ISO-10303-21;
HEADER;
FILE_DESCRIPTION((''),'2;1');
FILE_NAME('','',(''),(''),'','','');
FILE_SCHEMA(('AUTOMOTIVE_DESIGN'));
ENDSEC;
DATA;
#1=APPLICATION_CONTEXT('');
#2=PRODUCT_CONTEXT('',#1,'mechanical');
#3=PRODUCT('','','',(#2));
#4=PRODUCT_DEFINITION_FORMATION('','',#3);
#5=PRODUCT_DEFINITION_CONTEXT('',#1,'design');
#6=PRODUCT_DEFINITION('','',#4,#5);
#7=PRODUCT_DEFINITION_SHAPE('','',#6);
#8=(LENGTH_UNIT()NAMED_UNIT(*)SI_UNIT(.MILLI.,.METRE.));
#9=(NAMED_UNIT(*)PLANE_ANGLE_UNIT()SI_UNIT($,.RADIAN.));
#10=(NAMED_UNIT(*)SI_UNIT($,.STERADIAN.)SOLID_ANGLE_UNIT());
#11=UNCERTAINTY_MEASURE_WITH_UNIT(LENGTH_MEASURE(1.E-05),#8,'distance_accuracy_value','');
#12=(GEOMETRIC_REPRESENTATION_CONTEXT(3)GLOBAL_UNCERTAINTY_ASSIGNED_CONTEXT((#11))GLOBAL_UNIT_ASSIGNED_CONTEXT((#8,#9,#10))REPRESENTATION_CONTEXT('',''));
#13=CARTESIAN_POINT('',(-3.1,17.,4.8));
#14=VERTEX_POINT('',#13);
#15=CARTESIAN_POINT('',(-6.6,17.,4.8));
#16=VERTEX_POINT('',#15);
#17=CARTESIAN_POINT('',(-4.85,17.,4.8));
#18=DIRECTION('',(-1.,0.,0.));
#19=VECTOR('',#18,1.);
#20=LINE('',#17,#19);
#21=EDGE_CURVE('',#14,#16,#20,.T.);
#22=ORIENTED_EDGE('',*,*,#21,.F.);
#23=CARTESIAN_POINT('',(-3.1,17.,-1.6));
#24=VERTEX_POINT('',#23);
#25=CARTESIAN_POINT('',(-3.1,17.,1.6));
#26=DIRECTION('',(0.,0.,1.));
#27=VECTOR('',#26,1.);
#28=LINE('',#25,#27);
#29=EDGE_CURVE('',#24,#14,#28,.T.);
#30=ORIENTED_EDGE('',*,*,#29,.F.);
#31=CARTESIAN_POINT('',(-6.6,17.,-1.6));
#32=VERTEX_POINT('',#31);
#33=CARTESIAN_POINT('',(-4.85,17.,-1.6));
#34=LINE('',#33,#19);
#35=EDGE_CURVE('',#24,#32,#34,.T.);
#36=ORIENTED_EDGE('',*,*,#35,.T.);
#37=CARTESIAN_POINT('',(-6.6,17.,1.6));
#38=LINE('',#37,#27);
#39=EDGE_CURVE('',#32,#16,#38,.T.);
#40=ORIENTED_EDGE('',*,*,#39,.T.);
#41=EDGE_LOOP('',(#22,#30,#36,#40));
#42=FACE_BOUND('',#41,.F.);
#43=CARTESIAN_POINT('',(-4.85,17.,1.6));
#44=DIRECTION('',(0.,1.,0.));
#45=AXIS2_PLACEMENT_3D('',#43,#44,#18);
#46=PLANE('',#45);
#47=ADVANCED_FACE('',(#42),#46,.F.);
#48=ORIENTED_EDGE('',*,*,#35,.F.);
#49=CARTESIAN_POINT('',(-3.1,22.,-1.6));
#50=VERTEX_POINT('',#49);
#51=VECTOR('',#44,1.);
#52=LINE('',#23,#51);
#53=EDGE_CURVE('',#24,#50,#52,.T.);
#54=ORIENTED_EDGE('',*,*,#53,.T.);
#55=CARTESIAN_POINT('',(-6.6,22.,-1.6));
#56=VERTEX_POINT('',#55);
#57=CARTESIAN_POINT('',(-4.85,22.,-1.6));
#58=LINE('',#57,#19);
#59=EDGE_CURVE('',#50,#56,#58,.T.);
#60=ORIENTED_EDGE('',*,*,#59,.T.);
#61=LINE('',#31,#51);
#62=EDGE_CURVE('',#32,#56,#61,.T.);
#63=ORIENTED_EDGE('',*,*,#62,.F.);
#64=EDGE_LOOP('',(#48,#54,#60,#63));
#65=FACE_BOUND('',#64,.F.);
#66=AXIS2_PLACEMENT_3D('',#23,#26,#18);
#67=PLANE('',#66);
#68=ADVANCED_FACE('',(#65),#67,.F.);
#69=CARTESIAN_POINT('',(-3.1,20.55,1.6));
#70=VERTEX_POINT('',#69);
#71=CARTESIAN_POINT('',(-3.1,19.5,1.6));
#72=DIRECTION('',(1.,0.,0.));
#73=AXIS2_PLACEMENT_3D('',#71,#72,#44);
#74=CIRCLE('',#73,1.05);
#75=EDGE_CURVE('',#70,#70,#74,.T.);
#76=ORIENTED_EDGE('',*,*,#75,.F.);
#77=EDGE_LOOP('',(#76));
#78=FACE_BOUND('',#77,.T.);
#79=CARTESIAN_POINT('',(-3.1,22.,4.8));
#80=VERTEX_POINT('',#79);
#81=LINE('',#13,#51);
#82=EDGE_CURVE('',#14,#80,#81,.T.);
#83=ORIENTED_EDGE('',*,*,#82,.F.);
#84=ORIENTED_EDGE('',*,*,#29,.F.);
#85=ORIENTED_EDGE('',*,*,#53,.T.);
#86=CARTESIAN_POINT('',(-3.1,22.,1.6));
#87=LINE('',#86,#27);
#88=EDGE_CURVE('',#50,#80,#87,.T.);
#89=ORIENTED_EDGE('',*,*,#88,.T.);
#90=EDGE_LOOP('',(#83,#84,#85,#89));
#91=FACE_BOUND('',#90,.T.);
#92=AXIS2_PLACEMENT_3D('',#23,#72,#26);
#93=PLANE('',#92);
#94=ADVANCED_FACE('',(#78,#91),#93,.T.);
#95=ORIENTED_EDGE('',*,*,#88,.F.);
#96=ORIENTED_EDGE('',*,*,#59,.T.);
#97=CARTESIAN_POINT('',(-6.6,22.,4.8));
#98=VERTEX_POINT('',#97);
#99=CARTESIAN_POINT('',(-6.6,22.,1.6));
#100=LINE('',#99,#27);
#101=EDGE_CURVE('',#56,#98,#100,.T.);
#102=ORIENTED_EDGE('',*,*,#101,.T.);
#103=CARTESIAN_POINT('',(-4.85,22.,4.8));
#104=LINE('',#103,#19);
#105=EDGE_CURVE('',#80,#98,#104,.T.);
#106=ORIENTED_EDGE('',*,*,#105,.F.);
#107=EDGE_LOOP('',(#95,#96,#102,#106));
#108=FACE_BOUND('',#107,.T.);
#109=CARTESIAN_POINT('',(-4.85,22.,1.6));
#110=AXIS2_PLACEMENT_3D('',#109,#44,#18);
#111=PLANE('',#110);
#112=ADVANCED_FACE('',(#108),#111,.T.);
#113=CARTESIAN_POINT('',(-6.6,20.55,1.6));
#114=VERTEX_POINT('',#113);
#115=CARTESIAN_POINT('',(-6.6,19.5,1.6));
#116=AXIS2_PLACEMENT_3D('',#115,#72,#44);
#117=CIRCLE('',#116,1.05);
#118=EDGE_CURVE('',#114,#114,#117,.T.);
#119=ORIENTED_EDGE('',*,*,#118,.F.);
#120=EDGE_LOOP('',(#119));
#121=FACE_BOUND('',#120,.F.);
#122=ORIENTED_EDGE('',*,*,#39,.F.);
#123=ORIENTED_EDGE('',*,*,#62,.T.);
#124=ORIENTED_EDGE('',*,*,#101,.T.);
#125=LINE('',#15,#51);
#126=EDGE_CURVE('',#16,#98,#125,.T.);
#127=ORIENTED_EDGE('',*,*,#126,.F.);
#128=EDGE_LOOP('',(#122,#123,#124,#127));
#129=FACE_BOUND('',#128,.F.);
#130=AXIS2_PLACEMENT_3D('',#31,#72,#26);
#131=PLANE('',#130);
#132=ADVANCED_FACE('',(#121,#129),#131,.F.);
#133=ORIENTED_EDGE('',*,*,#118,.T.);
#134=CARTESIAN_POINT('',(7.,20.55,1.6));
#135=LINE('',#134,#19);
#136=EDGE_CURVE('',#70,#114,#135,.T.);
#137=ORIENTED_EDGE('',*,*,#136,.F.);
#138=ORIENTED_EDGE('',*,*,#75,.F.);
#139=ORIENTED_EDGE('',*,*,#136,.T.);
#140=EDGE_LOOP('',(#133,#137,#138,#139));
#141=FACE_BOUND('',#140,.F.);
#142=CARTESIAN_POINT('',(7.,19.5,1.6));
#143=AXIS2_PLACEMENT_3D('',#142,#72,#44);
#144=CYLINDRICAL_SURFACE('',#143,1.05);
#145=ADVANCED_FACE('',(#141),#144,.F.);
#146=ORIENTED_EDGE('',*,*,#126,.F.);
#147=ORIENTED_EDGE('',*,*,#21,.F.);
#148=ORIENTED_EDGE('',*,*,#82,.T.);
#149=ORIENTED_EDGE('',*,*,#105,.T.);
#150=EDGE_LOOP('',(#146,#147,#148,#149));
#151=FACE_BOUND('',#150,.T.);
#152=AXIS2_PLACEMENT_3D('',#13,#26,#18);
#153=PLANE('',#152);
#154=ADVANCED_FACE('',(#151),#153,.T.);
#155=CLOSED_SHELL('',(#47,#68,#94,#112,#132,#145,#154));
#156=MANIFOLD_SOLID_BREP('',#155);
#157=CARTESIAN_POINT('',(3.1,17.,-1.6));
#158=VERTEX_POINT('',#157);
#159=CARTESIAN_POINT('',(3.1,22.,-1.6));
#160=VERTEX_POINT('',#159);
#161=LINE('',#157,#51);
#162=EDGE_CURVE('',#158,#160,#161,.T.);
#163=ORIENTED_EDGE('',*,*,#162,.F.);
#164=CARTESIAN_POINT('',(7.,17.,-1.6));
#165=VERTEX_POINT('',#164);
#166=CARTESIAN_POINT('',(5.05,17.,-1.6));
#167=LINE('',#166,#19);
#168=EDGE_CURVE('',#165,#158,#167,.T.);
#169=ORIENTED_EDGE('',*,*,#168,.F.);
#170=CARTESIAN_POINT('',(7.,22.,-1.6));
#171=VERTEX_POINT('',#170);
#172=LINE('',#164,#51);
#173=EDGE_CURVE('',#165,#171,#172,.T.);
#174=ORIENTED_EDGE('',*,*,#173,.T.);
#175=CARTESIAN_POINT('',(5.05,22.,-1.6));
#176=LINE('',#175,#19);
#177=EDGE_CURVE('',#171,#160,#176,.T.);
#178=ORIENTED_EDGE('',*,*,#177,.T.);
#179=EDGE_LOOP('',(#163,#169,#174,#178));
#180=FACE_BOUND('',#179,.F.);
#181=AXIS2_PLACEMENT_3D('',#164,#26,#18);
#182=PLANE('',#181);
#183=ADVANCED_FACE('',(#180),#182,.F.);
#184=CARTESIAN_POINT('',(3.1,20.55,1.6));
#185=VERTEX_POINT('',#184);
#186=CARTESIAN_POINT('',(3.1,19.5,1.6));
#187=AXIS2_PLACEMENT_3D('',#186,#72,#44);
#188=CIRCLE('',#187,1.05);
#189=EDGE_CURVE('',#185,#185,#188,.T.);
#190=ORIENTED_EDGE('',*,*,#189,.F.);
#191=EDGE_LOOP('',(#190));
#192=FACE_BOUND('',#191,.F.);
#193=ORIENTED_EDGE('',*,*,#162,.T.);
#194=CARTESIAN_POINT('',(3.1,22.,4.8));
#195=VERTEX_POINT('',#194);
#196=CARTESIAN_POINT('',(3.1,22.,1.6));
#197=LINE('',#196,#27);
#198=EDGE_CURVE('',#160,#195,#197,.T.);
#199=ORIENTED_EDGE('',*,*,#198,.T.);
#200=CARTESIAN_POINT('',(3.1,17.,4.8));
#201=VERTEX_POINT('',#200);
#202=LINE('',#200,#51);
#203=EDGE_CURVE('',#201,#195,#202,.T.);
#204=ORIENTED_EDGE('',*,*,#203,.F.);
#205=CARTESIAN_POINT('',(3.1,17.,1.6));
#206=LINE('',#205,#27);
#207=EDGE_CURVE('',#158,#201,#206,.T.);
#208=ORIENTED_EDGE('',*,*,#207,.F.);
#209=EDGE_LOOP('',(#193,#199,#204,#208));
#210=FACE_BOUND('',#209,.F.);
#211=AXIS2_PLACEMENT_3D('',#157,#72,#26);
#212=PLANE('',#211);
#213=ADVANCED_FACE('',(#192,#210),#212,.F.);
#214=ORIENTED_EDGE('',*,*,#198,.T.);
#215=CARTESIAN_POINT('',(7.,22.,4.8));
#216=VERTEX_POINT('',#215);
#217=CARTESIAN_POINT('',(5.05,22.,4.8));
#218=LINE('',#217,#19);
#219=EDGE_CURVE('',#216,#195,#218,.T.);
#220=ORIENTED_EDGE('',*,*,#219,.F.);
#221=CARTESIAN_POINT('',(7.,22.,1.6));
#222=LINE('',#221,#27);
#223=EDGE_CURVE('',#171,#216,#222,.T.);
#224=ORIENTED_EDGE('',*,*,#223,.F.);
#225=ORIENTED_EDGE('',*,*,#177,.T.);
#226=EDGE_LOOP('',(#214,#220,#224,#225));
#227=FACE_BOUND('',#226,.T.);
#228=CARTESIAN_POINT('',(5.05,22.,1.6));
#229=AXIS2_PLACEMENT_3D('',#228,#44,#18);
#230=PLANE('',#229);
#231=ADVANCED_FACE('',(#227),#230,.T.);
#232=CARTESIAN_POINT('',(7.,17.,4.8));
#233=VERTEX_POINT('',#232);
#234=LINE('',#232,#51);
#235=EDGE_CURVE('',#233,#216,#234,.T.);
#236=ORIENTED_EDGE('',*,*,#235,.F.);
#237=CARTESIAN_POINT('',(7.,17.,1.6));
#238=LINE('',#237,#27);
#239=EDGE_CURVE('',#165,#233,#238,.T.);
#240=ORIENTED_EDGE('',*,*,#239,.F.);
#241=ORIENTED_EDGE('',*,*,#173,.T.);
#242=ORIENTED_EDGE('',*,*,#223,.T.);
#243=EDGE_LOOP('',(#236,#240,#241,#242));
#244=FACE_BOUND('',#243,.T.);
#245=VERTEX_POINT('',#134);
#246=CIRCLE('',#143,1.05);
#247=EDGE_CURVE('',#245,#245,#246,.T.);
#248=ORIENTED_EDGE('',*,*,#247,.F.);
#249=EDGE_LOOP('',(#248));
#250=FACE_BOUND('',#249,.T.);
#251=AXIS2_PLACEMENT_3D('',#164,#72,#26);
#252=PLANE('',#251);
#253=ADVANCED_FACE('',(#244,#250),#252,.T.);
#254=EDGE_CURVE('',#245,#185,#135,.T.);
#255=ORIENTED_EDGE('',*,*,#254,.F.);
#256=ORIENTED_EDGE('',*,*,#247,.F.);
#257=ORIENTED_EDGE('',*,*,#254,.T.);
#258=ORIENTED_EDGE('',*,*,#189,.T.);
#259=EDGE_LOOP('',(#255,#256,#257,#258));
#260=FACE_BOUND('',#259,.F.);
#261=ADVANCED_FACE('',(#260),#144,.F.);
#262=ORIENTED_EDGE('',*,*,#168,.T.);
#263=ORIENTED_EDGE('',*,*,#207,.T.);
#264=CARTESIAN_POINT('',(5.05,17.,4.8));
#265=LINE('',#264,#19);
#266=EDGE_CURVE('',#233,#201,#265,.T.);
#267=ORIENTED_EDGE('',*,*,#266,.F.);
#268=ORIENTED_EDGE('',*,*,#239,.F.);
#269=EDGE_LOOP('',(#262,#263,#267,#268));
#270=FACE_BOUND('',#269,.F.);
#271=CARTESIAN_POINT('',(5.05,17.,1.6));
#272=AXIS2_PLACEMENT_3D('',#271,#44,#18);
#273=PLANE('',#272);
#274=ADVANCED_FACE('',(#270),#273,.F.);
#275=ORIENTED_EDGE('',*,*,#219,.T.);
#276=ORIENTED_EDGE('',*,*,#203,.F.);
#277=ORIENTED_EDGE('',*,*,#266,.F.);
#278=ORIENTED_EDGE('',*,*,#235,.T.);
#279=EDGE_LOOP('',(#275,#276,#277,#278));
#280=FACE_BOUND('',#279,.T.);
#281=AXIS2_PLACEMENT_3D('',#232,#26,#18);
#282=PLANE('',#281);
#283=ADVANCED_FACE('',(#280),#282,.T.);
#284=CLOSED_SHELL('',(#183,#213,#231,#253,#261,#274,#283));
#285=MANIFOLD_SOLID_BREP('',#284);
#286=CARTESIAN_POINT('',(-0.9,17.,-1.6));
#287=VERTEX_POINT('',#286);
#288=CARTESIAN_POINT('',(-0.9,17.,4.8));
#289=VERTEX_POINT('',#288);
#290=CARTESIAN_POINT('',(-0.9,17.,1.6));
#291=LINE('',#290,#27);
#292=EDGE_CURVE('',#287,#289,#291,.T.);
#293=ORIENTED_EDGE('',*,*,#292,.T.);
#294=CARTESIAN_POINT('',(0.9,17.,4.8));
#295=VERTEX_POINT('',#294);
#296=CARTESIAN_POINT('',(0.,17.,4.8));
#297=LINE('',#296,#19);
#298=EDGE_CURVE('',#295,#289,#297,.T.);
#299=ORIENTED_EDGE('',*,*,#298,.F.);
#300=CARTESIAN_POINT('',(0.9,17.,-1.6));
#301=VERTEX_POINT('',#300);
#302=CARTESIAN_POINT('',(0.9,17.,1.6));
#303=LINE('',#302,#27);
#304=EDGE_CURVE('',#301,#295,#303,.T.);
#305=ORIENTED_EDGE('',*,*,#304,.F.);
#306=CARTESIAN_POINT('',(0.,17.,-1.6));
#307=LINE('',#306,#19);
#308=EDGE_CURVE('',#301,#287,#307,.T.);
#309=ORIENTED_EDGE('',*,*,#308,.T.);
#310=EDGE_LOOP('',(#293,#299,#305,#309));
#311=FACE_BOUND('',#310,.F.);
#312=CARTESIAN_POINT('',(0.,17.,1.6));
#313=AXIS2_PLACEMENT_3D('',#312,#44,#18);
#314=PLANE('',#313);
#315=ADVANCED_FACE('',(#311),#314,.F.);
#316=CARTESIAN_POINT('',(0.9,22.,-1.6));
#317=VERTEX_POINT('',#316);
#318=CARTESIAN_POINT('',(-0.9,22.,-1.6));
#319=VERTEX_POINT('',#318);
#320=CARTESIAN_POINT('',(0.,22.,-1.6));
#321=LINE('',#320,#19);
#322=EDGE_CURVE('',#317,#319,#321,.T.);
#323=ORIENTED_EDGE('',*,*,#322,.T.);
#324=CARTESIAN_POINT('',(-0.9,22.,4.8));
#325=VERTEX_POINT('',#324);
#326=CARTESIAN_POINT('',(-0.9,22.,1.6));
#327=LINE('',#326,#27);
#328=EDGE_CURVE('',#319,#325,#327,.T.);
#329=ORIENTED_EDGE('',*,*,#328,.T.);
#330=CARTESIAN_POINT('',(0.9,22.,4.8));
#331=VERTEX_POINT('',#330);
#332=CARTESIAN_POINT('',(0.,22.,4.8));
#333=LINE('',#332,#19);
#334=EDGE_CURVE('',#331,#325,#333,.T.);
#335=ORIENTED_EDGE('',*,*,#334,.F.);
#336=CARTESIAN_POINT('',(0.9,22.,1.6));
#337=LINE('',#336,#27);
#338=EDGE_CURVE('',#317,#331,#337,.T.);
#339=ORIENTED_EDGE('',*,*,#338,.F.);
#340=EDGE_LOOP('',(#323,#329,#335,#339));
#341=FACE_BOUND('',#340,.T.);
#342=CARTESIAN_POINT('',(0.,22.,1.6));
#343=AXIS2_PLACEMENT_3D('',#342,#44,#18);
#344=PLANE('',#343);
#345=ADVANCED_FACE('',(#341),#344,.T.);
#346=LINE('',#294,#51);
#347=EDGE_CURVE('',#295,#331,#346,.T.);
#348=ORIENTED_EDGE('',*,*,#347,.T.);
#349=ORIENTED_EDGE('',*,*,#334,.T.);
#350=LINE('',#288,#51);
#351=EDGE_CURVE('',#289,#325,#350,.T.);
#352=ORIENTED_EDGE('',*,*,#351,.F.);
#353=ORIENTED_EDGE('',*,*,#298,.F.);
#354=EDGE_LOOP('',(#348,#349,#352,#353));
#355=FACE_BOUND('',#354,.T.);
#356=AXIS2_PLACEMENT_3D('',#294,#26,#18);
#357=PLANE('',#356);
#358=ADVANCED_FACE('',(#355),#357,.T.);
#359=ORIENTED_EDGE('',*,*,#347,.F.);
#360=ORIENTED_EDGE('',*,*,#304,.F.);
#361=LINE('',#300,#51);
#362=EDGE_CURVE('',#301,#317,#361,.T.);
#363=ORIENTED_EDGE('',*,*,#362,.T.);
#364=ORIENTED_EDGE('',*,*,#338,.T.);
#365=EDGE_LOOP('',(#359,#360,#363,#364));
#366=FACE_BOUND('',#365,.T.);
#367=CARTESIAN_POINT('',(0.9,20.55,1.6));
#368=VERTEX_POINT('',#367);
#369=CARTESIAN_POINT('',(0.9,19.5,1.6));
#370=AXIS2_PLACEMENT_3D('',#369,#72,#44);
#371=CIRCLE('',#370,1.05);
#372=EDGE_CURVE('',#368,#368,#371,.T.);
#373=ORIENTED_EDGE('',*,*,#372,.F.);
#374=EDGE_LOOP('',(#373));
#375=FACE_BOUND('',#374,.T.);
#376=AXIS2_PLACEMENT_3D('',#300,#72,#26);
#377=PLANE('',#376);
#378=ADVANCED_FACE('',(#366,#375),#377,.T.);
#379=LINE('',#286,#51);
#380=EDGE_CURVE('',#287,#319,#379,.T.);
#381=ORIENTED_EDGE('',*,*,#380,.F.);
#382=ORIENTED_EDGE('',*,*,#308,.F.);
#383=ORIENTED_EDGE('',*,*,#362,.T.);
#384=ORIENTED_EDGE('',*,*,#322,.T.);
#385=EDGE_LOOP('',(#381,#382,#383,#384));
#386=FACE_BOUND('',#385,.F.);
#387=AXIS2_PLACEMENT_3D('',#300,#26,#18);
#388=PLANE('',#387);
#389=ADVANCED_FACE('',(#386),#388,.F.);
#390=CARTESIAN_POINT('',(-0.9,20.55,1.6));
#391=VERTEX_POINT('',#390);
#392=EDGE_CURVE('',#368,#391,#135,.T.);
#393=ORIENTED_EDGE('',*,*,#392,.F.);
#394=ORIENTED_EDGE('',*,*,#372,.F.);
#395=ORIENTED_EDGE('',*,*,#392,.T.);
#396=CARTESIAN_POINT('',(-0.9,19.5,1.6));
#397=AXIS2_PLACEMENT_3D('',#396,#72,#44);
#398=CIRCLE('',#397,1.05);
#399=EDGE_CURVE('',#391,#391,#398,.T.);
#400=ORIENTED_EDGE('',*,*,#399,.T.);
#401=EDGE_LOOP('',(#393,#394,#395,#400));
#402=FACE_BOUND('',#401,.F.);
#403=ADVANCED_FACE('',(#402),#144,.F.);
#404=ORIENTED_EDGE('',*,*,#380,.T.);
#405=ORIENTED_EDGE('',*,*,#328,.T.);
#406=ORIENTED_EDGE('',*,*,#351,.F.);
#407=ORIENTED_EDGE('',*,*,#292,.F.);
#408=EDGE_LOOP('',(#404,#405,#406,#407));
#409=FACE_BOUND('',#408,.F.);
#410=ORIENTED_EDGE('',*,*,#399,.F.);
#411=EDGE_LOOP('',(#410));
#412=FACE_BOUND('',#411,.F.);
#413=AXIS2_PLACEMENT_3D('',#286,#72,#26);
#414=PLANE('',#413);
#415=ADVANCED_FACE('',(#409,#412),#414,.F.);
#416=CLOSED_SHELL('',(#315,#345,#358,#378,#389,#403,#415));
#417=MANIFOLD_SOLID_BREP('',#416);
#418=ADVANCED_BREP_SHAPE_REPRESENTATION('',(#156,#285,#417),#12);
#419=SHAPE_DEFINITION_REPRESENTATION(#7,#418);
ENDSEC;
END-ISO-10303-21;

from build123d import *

# Parameters (mm, degrees)
SKETCH018_R                            = 1.05
EXTRUDE001_DEPTH                       = 13.6
SKETCH017_AS_DRAWN_W                   = 1.8
SKETCH017_AS_DRAWN_H                   = 6.4
SKETCH017_AS_DRAWN_W_2                 = 3.9
SKETCH017_AS_DRAWN_W_3                 = 3.5
EXTRUDE_DEPTH                          = 5
EXTRUDE_ONTO_SKETCH017_ROLL_ANGLE      = 90
EXTRUDE_ONTO_SKETCH017_PLACEMENT_ANGLE = -180


with BuildPart() as extrude001:
    # Sketch018 (on Face2 of BaseFeature) → Extrude001 (new body)
    with BuildSketch(Plane.YZ.offset(7)):
        with Locations((19.5, 1.6)):
            Circle(SKETCH018_R)
    extrude(amount=-EXTRUDE001_DEPTH)


with BuildPart() as body:
    # Sketch017 as drawn → Extrude (new)
    with BuildSketch(Plane.XY):
        with Locations((0, 1.6)):
            Rectangle(SKETCH017_AS_DRAWN_W, SKETCH017_AS_DRAWN_H)
        with Locations((-5.05, 1.6)):
            Rectangle(SKETCH017_AS_DRAWN_W_2, SKETCH017_AS_DRAWN_H)
        with Locations((4.85, 1.6)):
            Rectangle(SKETCH017_AS_DRAWN_W_3, SKETCH017_AS_DRAWN_H)
    extrude(amount=EXTRUDE_DEPTH)


with BuildPart() as body_1:
    # Extrude onto Sketch017 roll: moved
    add(body.part.rotate(Axis((0, 0, 0), (1, 0, 0)), EXTRUDE_ONTO_SKETCH017_ROLL_ANGLE))


with BuildPart() as body_2:
    # Extrude onto Sketch017 placement: moved
    add(body_1.part.moved(Location((0, 17, 0))).rotate(Axis((0, 17, 0), (0, 0, 1)), EXTRUDE_ONTO_SKETCH017_PLACEMENT_ANGLE))

    # Cut: cut Extrude001
    add(extrude001.part, mode=Mode.SUBTRACT)


solid = body_2.part
